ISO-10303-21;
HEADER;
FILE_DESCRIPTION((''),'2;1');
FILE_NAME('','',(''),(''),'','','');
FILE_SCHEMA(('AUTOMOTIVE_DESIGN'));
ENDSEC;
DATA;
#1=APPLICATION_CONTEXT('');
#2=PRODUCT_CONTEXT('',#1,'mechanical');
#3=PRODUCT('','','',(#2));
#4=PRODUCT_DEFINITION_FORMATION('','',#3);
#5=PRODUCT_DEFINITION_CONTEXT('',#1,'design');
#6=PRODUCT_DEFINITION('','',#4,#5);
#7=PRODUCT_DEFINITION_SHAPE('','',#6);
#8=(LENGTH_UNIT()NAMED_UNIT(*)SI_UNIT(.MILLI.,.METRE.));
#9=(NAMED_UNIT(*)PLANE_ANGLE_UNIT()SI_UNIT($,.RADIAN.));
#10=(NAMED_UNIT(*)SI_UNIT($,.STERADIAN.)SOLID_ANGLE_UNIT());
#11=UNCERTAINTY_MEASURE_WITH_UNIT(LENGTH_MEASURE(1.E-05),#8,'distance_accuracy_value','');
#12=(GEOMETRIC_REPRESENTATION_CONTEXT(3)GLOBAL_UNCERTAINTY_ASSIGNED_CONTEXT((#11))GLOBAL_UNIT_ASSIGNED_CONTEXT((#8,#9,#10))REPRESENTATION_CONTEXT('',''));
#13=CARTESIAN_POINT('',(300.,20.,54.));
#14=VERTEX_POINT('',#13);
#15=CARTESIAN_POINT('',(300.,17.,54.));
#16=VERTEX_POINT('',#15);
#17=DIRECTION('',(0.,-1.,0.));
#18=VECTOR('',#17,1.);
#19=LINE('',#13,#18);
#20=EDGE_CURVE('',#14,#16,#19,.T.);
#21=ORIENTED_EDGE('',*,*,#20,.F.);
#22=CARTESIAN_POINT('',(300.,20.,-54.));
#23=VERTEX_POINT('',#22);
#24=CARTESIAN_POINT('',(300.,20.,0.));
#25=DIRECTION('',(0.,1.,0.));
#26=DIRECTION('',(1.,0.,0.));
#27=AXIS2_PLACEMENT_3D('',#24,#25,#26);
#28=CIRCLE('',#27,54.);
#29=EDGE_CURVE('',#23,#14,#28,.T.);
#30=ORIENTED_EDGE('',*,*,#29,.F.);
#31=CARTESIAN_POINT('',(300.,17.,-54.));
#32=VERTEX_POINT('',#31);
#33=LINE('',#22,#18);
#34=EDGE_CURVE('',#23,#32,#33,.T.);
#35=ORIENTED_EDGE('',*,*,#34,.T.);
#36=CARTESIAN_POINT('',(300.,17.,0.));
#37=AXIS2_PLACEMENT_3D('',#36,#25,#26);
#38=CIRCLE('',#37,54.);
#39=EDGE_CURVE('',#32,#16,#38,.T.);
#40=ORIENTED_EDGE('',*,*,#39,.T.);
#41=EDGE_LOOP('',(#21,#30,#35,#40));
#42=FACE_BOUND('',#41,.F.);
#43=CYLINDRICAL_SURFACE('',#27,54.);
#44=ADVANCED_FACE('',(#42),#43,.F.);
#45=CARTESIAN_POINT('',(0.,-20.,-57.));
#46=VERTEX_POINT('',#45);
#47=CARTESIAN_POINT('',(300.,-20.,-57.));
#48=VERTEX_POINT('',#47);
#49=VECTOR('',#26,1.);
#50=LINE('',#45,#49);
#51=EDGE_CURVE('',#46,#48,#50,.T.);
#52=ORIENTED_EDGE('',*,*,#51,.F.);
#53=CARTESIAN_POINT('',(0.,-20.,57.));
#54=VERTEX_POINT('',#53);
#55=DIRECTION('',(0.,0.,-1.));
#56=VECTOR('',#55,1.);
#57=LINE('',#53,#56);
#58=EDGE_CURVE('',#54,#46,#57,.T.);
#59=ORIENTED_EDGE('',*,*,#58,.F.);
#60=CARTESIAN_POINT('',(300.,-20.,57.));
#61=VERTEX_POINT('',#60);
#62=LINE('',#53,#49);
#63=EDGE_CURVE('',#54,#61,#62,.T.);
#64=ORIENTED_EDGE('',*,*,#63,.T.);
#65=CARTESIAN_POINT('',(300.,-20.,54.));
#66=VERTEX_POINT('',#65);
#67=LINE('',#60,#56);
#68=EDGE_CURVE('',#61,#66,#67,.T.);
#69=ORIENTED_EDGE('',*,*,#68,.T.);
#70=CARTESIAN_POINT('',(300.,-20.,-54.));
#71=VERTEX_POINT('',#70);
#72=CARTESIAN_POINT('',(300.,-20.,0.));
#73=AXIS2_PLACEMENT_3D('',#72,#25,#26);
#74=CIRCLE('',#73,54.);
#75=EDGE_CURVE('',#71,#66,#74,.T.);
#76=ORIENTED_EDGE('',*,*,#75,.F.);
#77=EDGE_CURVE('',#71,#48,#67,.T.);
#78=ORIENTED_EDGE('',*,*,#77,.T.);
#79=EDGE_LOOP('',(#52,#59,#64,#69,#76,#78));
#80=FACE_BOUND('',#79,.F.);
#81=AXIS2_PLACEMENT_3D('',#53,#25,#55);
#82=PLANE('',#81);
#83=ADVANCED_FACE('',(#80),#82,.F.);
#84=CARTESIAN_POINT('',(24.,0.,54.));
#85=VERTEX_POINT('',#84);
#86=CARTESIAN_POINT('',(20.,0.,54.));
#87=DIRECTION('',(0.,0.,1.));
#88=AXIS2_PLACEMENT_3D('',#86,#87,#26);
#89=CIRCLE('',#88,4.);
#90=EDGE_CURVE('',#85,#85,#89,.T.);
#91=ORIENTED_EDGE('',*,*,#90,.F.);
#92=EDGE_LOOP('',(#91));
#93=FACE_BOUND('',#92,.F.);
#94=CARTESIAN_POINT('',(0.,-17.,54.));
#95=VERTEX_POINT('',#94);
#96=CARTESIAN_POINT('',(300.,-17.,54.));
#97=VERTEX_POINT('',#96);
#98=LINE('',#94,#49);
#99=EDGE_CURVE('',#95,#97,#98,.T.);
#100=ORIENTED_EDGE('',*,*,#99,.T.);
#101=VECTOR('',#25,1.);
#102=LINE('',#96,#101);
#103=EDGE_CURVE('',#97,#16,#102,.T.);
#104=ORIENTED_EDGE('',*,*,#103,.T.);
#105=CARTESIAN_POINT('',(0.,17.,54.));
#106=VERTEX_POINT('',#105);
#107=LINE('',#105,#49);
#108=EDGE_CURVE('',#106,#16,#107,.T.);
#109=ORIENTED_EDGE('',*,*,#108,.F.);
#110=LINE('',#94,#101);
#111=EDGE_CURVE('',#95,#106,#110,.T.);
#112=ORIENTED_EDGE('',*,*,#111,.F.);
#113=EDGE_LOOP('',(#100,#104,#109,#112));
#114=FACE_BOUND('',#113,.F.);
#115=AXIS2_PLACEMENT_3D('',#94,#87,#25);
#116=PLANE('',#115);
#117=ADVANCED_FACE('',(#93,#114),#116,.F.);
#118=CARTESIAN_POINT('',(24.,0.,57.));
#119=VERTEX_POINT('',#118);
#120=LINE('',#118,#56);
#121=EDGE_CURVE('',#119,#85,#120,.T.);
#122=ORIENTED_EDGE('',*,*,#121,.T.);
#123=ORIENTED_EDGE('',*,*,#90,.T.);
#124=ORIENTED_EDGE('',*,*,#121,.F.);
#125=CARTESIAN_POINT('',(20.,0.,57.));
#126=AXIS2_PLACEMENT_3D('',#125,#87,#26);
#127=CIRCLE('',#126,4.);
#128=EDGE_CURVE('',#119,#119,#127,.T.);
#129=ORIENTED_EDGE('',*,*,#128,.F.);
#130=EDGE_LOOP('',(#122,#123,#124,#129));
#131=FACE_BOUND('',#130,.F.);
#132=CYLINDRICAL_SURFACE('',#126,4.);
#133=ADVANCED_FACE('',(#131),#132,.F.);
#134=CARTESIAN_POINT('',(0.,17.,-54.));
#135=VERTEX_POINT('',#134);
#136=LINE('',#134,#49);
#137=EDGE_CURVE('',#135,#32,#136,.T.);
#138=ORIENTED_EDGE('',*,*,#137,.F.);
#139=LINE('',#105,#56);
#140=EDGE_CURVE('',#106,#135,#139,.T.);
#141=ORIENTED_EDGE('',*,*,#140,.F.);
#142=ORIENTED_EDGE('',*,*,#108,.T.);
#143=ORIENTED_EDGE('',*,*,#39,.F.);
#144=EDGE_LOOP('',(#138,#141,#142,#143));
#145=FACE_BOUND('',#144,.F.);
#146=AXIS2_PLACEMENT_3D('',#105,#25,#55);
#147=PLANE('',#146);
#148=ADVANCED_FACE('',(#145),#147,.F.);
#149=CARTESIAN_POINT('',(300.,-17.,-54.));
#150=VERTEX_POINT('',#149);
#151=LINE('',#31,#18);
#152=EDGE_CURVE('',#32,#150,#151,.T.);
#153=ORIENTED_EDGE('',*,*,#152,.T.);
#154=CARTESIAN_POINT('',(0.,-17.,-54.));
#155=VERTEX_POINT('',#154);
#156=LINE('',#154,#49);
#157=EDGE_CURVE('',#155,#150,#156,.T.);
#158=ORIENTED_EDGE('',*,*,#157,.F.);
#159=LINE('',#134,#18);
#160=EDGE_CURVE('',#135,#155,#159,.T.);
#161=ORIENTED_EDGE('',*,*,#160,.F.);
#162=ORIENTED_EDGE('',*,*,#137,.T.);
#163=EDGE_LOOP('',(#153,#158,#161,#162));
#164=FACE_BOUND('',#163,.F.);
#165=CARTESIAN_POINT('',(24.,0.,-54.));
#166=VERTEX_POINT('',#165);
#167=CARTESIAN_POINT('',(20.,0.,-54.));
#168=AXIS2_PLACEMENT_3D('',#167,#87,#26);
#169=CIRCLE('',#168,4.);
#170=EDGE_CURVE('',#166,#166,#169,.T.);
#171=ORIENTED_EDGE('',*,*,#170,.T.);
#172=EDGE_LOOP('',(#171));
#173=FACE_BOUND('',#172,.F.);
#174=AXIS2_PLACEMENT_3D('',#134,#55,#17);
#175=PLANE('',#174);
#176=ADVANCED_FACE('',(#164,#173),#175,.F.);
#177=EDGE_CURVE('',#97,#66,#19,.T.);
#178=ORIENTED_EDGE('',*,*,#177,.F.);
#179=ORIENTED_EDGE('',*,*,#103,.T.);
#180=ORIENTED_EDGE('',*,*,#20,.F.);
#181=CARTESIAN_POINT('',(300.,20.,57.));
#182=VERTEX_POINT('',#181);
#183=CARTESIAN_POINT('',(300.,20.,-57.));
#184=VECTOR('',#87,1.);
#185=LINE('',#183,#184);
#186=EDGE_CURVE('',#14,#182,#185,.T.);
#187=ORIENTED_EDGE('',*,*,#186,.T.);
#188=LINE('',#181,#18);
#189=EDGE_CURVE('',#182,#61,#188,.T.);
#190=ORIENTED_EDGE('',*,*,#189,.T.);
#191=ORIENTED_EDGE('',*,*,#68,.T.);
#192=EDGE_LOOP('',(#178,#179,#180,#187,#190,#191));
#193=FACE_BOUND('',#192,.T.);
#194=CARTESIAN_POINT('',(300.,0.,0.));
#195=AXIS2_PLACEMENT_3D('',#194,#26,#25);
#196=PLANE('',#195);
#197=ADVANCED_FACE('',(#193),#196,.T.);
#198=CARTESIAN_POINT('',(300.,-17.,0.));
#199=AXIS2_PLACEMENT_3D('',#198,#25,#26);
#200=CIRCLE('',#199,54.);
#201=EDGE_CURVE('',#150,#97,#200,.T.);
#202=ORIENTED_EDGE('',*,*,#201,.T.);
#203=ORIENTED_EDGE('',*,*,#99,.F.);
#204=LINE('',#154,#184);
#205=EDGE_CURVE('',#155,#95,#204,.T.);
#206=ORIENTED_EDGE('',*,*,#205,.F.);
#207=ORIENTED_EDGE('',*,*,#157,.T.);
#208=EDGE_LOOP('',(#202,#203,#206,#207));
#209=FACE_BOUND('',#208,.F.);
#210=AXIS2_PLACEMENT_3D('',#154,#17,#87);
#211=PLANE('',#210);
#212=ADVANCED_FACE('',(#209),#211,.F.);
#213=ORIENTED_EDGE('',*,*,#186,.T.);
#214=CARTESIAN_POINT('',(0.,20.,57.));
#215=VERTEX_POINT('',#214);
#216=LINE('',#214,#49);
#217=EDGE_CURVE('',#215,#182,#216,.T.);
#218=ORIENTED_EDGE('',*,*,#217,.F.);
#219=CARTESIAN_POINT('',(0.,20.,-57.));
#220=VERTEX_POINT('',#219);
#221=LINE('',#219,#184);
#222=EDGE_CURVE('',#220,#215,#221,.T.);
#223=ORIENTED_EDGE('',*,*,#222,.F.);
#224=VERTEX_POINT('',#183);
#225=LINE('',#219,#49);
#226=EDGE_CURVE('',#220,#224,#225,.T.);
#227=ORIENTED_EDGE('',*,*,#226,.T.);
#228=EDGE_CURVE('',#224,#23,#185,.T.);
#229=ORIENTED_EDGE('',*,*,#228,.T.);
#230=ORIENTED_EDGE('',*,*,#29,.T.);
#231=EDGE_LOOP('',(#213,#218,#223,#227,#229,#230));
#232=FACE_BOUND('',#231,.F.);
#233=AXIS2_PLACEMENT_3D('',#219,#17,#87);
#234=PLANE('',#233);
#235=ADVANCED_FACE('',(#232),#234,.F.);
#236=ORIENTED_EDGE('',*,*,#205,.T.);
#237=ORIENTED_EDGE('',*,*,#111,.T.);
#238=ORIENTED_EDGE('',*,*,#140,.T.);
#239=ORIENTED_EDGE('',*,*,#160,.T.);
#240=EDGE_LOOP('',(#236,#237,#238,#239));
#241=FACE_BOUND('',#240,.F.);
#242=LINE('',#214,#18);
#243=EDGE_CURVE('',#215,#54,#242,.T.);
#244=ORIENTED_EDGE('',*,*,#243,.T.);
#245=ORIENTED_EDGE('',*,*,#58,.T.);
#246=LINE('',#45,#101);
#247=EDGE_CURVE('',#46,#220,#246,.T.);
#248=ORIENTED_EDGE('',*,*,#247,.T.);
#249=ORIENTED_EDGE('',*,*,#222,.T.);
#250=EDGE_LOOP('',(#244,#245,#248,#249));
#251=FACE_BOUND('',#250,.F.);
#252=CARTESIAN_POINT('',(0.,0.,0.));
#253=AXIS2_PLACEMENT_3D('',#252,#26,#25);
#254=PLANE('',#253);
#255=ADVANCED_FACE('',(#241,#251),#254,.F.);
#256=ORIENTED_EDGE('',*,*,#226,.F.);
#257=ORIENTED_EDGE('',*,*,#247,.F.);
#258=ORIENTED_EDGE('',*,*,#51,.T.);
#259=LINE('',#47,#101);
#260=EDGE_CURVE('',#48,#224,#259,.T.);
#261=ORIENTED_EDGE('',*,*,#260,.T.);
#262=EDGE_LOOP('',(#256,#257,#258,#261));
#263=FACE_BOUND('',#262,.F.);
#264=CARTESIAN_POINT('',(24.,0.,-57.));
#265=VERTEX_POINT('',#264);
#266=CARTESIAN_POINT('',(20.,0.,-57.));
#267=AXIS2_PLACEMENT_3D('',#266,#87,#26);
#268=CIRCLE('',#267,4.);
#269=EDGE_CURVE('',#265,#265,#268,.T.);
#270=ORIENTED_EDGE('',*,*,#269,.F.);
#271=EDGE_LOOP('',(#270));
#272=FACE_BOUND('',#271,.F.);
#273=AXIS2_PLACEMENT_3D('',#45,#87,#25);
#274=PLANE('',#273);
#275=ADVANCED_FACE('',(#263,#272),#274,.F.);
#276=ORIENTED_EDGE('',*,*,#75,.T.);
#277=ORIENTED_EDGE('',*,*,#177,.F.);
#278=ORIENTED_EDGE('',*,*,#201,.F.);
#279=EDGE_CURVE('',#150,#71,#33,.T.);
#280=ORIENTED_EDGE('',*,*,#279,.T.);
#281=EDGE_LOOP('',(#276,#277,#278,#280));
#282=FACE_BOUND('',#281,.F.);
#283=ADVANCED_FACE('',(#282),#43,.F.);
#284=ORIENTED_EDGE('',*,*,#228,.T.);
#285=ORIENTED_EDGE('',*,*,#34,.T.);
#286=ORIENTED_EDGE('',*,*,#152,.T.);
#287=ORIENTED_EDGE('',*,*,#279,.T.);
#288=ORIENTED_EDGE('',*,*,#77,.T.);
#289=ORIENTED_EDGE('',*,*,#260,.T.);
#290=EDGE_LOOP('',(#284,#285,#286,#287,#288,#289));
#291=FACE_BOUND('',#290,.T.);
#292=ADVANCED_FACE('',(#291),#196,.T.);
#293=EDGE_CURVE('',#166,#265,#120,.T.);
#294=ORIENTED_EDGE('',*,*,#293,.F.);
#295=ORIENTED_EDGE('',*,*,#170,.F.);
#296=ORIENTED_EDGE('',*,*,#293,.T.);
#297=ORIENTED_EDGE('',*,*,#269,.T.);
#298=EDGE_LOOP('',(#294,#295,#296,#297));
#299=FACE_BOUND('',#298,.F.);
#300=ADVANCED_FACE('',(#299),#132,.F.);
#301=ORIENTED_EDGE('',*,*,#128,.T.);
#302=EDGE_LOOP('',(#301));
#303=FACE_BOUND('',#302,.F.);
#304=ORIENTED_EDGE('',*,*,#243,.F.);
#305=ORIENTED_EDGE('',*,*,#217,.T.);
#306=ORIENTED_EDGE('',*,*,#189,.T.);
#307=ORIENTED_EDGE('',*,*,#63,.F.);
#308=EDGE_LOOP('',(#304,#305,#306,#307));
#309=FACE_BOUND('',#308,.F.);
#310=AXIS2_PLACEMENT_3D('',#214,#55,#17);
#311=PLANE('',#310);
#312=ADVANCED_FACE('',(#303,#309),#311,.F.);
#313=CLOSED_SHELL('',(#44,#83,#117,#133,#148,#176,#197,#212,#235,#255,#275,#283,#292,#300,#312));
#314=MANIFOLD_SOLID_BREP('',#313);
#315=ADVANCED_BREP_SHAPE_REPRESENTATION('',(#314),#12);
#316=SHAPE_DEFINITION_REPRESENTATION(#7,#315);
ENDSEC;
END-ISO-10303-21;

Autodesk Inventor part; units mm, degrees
ref_plane "YZ Plane" through (0, 0, 0) normal (1, 0, 0) x (0, 1, 0)
ref_plane "XZ Plane" through (0, 0, 0) normal (0, 1, 0) x (-1, 0, 0)
ref_plane "XY Plane" through (0, 0, 0) normal (0, 0, 1) x (1, 0, 0)
sketch "Sketch1" plane through (0, 0, 0) normal (1, 0, 0) x (0, 1, 0)
  line L0 (20, 57) -> (-20, 57)
  line L1 (-20, 57) -> (-20, -57)
  line L2 (-20, -57) -> (20, -57)
  line L3 (20, -57) -> (20, 57)
  line L4 (20, 57) -> (-20, -57) construction
  line L5 (-20, 57) -> (20, -57) construction
  line L6 (-17, 54) -> (17, 54)
  line L7 (17, 54) -> (17, -54)
  line L8 (17, -54) -> (-17, -54)
  line L9 (-17, -54) -> (-17, 54)
  line L10 (-17, 54) -> (17, -54) construction
  line L11 (17, 54) -> (-17, -54) construction
  point P0 (0, 0)
  point P1 (0, -57)
  point P2 (0, -54)
  dimension "d0" = 114
  dimension "d1" = 40
  dimension "d2" = 3
  dimension "d3" = 3
extrude "Extrusion1" add sketch "Sketch1" along normal blind 300
sketch "Sketch2" plane through (0, 20, 57) normal (0, 1, 0) x (1, 0, 0)
  line L0 (300, 114) -> (300, 0) projected
  circle A0 centre (300, 57) radius 54
  point P0 (0, 57)
  point P1 (300, 111)
  point P2 (300, 3)
extrude "Extrusion2" cut sketch "Sketch2" against normal through all contours L0 A0 picked at (282.6871, 52.0741)
sketch "Sketch3" plane through (0, -20, 57) normal (0, 0, 1) x (1, 0, 0)
  circle A0 centre (20, 20) radius 4
  line L0 (0, 40) -> (0, 0) projected
  point P0 (0, 20)
  point P1 (0, 20)
  dimension "d8" = 8
  dimension "d9" = 20
extrude "Extrusion3" cut sketch "Sketch3" against normal through all
properties part number "AirIntake"
